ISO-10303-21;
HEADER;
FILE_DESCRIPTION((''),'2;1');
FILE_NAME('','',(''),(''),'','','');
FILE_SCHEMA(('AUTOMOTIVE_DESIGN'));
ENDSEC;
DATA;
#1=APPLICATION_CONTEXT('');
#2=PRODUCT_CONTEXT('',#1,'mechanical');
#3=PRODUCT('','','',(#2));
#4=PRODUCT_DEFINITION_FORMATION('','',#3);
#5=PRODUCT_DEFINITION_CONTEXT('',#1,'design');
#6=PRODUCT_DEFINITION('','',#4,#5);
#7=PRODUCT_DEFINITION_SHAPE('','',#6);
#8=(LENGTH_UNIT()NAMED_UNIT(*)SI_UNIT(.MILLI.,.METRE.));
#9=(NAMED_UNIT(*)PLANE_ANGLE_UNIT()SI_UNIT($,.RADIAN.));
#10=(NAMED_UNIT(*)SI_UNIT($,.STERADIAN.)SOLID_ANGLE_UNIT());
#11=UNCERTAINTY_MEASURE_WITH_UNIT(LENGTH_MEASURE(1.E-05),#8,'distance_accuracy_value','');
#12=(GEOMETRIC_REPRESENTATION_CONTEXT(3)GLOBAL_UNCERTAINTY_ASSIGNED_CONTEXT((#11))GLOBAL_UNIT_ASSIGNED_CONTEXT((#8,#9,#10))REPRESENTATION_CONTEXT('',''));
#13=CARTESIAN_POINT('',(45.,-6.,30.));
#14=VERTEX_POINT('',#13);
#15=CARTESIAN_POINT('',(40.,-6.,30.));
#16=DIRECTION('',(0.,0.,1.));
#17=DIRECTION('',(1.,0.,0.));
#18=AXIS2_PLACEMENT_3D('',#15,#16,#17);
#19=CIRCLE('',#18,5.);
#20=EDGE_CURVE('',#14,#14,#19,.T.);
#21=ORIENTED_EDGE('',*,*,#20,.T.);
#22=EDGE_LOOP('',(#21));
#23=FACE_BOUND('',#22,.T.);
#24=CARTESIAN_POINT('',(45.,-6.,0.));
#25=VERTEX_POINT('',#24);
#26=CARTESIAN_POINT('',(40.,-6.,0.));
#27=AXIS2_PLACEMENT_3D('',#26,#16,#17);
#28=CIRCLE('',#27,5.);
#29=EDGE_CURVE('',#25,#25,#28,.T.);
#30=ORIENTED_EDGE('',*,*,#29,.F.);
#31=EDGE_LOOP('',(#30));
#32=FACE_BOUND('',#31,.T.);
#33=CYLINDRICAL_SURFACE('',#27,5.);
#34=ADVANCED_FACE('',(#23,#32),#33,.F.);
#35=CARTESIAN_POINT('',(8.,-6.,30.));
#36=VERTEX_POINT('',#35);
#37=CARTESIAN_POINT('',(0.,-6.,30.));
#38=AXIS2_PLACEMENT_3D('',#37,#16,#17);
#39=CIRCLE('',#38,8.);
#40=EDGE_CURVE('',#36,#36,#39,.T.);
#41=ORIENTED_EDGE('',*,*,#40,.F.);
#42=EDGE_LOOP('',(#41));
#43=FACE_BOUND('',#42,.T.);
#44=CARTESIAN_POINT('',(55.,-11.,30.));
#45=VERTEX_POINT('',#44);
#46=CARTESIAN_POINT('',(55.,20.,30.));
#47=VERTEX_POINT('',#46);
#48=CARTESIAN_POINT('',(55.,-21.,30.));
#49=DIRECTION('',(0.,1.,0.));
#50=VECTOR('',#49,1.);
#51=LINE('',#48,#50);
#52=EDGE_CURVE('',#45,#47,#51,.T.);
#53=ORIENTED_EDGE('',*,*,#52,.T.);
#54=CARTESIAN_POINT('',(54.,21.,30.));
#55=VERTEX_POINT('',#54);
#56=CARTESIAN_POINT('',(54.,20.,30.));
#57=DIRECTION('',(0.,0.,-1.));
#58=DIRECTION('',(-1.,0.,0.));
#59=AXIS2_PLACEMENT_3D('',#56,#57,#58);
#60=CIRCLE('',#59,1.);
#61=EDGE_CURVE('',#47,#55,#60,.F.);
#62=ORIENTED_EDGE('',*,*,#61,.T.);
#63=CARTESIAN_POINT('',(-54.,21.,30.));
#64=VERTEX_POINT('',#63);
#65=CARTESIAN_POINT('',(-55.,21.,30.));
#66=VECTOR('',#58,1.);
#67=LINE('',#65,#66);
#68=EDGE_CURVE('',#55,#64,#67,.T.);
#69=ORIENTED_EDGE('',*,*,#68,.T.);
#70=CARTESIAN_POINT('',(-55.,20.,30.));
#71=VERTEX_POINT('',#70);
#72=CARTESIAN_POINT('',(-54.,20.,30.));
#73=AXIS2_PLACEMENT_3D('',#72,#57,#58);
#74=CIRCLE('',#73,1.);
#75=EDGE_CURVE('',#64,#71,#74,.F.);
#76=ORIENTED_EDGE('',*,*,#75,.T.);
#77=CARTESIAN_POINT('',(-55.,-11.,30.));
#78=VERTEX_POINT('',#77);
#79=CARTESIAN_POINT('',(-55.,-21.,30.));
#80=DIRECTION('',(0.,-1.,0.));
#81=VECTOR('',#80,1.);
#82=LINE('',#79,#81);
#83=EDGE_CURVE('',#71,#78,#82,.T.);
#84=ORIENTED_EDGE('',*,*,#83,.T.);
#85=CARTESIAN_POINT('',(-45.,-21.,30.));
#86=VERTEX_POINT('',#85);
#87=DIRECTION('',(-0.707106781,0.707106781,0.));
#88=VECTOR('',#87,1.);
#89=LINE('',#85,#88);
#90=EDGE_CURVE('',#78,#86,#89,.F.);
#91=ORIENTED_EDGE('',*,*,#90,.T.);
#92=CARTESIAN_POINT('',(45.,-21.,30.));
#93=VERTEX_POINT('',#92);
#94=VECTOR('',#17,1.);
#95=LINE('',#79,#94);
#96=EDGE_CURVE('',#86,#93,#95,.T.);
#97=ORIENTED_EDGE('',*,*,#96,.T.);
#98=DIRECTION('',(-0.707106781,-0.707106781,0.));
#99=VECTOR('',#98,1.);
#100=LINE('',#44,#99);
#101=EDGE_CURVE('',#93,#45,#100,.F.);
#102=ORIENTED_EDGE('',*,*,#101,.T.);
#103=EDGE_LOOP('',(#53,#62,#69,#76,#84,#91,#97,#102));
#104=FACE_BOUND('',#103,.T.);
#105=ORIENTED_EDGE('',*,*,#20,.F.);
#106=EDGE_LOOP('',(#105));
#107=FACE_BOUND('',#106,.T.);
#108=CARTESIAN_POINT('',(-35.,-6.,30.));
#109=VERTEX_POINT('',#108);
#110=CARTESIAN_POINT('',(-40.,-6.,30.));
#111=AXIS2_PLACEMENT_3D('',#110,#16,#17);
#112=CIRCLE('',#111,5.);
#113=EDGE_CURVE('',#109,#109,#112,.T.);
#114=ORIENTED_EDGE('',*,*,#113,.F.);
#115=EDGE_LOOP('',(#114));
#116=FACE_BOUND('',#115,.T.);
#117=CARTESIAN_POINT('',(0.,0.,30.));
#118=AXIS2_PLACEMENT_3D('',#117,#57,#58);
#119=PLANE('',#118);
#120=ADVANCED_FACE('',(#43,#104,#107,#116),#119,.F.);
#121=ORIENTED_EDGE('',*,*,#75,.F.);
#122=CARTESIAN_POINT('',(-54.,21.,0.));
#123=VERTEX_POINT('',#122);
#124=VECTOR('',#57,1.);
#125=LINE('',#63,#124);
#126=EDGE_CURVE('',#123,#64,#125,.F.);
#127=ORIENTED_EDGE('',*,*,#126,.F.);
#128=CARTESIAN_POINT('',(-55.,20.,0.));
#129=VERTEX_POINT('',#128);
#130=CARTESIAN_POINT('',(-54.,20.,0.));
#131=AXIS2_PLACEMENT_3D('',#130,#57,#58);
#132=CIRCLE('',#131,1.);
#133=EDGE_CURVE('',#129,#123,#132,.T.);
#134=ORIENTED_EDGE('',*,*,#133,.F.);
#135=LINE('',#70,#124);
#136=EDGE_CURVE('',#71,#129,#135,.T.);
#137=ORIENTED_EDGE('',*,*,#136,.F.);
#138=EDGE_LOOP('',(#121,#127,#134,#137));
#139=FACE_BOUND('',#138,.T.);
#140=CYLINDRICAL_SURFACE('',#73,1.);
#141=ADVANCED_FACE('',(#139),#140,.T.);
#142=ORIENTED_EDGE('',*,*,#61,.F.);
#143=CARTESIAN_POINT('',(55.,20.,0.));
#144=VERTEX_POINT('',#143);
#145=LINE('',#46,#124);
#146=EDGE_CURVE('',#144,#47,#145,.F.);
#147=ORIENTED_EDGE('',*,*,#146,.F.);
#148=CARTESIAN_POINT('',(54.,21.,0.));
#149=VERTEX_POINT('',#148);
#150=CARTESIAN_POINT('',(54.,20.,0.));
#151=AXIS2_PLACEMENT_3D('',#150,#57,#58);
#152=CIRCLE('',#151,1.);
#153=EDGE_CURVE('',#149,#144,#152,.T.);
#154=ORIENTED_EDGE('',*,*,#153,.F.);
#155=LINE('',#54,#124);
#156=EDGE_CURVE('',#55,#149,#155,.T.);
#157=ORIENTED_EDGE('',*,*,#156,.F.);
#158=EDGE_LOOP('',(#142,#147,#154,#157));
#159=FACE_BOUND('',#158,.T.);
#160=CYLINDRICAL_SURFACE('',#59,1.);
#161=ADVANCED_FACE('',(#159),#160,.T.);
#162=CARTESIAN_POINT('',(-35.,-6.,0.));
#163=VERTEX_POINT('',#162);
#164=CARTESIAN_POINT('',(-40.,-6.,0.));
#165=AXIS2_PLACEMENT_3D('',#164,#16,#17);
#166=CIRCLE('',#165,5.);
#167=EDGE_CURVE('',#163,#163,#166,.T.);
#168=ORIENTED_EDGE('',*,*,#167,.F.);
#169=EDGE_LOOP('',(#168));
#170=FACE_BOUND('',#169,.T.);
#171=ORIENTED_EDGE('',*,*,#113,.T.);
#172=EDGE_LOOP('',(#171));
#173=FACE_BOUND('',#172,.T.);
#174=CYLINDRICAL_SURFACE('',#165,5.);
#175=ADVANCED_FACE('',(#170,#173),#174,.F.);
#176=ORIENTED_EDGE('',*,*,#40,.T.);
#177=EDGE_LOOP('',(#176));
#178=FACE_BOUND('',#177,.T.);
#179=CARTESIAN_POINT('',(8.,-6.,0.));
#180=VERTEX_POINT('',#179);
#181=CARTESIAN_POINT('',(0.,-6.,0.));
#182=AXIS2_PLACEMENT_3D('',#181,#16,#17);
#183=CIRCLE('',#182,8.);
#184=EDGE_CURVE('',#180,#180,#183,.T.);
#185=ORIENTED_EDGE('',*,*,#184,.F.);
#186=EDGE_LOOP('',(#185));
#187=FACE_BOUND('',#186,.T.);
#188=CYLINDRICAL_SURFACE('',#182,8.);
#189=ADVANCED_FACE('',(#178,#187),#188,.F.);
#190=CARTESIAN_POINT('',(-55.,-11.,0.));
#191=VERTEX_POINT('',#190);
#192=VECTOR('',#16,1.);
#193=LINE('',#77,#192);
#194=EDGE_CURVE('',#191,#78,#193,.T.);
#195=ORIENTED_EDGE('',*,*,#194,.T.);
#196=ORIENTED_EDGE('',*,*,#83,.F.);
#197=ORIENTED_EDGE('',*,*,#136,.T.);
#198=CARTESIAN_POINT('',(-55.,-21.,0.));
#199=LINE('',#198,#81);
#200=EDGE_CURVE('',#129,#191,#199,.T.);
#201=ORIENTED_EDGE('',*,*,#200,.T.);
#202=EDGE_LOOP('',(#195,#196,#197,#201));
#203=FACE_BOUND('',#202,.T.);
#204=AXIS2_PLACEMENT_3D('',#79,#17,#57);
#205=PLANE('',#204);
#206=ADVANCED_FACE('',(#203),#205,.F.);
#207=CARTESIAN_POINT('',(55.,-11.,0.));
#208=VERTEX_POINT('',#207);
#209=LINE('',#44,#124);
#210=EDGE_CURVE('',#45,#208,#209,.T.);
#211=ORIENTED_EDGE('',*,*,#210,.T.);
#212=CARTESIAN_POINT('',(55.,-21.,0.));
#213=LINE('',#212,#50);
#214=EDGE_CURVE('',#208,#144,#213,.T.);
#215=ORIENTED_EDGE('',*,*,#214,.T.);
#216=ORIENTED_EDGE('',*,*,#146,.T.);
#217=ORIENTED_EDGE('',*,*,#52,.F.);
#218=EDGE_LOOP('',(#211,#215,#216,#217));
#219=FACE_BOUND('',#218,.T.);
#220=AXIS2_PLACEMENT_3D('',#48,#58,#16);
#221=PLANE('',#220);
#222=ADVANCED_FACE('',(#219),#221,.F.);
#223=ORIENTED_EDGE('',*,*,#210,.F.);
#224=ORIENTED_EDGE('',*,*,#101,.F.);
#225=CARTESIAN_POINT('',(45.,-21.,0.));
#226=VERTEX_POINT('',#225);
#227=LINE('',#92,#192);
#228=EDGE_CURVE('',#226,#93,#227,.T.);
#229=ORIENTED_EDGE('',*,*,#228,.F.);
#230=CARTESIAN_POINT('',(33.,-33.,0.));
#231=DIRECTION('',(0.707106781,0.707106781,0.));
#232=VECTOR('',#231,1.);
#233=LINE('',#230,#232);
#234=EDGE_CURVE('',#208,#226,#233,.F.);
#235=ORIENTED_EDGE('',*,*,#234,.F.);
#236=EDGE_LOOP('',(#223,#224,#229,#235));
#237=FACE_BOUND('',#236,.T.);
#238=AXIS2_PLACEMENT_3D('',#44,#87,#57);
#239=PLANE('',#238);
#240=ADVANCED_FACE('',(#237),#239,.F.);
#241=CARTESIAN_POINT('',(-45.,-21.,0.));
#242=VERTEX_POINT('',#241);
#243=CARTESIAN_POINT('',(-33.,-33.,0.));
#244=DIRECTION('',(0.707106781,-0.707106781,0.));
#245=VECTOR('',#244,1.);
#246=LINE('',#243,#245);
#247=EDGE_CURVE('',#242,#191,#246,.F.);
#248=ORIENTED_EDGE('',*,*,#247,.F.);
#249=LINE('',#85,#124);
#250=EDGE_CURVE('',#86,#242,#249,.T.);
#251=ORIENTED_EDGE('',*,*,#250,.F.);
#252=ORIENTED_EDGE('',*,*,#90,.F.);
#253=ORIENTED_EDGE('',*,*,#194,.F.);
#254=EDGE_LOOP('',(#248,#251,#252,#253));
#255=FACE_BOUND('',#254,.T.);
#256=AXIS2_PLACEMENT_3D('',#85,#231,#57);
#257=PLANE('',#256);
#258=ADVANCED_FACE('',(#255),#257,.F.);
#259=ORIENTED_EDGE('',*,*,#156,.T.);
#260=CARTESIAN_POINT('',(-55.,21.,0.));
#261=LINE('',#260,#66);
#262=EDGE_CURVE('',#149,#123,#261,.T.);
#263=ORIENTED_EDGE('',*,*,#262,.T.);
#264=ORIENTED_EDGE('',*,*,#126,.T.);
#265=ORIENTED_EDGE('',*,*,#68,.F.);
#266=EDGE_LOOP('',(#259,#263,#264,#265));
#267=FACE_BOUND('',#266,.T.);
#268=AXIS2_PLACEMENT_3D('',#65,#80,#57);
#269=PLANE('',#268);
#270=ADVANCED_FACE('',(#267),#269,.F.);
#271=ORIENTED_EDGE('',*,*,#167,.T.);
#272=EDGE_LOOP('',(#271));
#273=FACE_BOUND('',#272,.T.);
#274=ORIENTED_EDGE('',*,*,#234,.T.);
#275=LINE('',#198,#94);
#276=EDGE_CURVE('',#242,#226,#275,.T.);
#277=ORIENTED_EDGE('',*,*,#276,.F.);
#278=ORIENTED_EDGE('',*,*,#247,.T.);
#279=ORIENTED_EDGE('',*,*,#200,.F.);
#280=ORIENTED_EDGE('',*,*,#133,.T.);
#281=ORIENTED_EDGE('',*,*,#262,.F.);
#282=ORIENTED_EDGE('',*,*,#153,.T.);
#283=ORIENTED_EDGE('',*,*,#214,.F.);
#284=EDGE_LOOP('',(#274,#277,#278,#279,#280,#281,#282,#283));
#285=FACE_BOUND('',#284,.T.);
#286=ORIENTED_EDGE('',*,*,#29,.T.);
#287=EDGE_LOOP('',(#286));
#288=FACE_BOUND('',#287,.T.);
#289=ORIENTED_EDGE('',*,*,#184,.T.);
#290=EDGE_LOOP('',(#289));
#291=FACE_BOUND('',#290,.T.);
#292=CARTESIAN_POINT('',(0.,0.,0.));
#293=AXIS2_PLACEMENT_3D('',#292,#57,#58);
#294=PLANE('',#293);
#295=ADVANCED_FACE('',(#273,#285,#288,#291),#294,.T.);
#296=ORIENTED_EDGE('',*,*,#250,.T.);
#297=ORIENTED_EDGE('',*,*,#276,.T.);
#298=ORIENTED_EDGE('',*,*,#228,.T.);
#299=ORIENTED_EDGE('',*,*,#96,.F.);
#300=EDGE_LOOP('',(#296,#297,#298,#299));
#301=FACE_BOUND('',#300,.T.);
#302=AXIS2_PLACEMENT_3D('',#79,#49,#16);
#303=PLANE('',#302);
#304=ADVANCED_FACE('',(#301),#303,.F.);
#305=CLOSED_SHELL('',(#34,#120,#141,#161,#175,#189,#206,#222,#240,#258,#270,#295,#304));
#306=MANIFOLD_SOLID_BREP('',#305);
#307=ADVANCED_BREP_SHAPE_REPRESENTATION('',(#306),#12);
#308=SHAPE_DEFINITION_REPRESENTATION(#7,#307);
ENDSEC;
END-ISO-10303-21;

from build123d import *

# Parameters (mm, degrees)
CROQUIS1_W              = 110
CROQUIS1_H              = 42
SALIENTE_EXTRUIR1_DEPTH = 30
CHAFL_N1_SIZE           = 10
REDONDEO1_R             = 1
CROQUIS2_R              = 5
CROQUIS2_R_2            = 8
CORTAR_EXTRUIR1_DEPTH   = 30


with BuildPart() as part:
    # Croquis1 → Saliente-Extruir1 (new body)
    with BuildSketch(Plane.XY):
        Rectangle(CROQUIS1_W, CROQUIS1_H)
    extrude(amount=SALIENTE_EXTRUIR1_DEPTH)

    # Chaflán1
    chafl_n1_edges = [part.edges().sort_by_distance(p)[0] for p in [
        (55, -21, 15),
        (-55, -21, 15),
    ]]
    chamfer(chafl_n1_edges, length=CHAFL_N1_SIZE)

    # Redondeo1
    redondeo1_edges = [part.edges().sort_by_distance(p)[0] for p in [
        (-55, 21, 15),
        (55, 21, 15),
    ]]
    fillet(redondeo1_edges, radius=REDONDEO1_R)

    # Croquis2 → Cortar-Extruir1 (cut)
    with BuildSketch(Plane.XY.offset(30)):
        with Locations((-40, -6)):
            Circle(CROQUIS2_R)
        with Locations((40, -6)):
            Circle(CROQUIS2_R)
        with Locations((0, -6)):
            Circle(CROQUIS2_R_2)
    extrude(amount=-CORTAR_EXTRUIR1_DEPTH, mode=Mode.SUBTRACT)


solid = part.part
